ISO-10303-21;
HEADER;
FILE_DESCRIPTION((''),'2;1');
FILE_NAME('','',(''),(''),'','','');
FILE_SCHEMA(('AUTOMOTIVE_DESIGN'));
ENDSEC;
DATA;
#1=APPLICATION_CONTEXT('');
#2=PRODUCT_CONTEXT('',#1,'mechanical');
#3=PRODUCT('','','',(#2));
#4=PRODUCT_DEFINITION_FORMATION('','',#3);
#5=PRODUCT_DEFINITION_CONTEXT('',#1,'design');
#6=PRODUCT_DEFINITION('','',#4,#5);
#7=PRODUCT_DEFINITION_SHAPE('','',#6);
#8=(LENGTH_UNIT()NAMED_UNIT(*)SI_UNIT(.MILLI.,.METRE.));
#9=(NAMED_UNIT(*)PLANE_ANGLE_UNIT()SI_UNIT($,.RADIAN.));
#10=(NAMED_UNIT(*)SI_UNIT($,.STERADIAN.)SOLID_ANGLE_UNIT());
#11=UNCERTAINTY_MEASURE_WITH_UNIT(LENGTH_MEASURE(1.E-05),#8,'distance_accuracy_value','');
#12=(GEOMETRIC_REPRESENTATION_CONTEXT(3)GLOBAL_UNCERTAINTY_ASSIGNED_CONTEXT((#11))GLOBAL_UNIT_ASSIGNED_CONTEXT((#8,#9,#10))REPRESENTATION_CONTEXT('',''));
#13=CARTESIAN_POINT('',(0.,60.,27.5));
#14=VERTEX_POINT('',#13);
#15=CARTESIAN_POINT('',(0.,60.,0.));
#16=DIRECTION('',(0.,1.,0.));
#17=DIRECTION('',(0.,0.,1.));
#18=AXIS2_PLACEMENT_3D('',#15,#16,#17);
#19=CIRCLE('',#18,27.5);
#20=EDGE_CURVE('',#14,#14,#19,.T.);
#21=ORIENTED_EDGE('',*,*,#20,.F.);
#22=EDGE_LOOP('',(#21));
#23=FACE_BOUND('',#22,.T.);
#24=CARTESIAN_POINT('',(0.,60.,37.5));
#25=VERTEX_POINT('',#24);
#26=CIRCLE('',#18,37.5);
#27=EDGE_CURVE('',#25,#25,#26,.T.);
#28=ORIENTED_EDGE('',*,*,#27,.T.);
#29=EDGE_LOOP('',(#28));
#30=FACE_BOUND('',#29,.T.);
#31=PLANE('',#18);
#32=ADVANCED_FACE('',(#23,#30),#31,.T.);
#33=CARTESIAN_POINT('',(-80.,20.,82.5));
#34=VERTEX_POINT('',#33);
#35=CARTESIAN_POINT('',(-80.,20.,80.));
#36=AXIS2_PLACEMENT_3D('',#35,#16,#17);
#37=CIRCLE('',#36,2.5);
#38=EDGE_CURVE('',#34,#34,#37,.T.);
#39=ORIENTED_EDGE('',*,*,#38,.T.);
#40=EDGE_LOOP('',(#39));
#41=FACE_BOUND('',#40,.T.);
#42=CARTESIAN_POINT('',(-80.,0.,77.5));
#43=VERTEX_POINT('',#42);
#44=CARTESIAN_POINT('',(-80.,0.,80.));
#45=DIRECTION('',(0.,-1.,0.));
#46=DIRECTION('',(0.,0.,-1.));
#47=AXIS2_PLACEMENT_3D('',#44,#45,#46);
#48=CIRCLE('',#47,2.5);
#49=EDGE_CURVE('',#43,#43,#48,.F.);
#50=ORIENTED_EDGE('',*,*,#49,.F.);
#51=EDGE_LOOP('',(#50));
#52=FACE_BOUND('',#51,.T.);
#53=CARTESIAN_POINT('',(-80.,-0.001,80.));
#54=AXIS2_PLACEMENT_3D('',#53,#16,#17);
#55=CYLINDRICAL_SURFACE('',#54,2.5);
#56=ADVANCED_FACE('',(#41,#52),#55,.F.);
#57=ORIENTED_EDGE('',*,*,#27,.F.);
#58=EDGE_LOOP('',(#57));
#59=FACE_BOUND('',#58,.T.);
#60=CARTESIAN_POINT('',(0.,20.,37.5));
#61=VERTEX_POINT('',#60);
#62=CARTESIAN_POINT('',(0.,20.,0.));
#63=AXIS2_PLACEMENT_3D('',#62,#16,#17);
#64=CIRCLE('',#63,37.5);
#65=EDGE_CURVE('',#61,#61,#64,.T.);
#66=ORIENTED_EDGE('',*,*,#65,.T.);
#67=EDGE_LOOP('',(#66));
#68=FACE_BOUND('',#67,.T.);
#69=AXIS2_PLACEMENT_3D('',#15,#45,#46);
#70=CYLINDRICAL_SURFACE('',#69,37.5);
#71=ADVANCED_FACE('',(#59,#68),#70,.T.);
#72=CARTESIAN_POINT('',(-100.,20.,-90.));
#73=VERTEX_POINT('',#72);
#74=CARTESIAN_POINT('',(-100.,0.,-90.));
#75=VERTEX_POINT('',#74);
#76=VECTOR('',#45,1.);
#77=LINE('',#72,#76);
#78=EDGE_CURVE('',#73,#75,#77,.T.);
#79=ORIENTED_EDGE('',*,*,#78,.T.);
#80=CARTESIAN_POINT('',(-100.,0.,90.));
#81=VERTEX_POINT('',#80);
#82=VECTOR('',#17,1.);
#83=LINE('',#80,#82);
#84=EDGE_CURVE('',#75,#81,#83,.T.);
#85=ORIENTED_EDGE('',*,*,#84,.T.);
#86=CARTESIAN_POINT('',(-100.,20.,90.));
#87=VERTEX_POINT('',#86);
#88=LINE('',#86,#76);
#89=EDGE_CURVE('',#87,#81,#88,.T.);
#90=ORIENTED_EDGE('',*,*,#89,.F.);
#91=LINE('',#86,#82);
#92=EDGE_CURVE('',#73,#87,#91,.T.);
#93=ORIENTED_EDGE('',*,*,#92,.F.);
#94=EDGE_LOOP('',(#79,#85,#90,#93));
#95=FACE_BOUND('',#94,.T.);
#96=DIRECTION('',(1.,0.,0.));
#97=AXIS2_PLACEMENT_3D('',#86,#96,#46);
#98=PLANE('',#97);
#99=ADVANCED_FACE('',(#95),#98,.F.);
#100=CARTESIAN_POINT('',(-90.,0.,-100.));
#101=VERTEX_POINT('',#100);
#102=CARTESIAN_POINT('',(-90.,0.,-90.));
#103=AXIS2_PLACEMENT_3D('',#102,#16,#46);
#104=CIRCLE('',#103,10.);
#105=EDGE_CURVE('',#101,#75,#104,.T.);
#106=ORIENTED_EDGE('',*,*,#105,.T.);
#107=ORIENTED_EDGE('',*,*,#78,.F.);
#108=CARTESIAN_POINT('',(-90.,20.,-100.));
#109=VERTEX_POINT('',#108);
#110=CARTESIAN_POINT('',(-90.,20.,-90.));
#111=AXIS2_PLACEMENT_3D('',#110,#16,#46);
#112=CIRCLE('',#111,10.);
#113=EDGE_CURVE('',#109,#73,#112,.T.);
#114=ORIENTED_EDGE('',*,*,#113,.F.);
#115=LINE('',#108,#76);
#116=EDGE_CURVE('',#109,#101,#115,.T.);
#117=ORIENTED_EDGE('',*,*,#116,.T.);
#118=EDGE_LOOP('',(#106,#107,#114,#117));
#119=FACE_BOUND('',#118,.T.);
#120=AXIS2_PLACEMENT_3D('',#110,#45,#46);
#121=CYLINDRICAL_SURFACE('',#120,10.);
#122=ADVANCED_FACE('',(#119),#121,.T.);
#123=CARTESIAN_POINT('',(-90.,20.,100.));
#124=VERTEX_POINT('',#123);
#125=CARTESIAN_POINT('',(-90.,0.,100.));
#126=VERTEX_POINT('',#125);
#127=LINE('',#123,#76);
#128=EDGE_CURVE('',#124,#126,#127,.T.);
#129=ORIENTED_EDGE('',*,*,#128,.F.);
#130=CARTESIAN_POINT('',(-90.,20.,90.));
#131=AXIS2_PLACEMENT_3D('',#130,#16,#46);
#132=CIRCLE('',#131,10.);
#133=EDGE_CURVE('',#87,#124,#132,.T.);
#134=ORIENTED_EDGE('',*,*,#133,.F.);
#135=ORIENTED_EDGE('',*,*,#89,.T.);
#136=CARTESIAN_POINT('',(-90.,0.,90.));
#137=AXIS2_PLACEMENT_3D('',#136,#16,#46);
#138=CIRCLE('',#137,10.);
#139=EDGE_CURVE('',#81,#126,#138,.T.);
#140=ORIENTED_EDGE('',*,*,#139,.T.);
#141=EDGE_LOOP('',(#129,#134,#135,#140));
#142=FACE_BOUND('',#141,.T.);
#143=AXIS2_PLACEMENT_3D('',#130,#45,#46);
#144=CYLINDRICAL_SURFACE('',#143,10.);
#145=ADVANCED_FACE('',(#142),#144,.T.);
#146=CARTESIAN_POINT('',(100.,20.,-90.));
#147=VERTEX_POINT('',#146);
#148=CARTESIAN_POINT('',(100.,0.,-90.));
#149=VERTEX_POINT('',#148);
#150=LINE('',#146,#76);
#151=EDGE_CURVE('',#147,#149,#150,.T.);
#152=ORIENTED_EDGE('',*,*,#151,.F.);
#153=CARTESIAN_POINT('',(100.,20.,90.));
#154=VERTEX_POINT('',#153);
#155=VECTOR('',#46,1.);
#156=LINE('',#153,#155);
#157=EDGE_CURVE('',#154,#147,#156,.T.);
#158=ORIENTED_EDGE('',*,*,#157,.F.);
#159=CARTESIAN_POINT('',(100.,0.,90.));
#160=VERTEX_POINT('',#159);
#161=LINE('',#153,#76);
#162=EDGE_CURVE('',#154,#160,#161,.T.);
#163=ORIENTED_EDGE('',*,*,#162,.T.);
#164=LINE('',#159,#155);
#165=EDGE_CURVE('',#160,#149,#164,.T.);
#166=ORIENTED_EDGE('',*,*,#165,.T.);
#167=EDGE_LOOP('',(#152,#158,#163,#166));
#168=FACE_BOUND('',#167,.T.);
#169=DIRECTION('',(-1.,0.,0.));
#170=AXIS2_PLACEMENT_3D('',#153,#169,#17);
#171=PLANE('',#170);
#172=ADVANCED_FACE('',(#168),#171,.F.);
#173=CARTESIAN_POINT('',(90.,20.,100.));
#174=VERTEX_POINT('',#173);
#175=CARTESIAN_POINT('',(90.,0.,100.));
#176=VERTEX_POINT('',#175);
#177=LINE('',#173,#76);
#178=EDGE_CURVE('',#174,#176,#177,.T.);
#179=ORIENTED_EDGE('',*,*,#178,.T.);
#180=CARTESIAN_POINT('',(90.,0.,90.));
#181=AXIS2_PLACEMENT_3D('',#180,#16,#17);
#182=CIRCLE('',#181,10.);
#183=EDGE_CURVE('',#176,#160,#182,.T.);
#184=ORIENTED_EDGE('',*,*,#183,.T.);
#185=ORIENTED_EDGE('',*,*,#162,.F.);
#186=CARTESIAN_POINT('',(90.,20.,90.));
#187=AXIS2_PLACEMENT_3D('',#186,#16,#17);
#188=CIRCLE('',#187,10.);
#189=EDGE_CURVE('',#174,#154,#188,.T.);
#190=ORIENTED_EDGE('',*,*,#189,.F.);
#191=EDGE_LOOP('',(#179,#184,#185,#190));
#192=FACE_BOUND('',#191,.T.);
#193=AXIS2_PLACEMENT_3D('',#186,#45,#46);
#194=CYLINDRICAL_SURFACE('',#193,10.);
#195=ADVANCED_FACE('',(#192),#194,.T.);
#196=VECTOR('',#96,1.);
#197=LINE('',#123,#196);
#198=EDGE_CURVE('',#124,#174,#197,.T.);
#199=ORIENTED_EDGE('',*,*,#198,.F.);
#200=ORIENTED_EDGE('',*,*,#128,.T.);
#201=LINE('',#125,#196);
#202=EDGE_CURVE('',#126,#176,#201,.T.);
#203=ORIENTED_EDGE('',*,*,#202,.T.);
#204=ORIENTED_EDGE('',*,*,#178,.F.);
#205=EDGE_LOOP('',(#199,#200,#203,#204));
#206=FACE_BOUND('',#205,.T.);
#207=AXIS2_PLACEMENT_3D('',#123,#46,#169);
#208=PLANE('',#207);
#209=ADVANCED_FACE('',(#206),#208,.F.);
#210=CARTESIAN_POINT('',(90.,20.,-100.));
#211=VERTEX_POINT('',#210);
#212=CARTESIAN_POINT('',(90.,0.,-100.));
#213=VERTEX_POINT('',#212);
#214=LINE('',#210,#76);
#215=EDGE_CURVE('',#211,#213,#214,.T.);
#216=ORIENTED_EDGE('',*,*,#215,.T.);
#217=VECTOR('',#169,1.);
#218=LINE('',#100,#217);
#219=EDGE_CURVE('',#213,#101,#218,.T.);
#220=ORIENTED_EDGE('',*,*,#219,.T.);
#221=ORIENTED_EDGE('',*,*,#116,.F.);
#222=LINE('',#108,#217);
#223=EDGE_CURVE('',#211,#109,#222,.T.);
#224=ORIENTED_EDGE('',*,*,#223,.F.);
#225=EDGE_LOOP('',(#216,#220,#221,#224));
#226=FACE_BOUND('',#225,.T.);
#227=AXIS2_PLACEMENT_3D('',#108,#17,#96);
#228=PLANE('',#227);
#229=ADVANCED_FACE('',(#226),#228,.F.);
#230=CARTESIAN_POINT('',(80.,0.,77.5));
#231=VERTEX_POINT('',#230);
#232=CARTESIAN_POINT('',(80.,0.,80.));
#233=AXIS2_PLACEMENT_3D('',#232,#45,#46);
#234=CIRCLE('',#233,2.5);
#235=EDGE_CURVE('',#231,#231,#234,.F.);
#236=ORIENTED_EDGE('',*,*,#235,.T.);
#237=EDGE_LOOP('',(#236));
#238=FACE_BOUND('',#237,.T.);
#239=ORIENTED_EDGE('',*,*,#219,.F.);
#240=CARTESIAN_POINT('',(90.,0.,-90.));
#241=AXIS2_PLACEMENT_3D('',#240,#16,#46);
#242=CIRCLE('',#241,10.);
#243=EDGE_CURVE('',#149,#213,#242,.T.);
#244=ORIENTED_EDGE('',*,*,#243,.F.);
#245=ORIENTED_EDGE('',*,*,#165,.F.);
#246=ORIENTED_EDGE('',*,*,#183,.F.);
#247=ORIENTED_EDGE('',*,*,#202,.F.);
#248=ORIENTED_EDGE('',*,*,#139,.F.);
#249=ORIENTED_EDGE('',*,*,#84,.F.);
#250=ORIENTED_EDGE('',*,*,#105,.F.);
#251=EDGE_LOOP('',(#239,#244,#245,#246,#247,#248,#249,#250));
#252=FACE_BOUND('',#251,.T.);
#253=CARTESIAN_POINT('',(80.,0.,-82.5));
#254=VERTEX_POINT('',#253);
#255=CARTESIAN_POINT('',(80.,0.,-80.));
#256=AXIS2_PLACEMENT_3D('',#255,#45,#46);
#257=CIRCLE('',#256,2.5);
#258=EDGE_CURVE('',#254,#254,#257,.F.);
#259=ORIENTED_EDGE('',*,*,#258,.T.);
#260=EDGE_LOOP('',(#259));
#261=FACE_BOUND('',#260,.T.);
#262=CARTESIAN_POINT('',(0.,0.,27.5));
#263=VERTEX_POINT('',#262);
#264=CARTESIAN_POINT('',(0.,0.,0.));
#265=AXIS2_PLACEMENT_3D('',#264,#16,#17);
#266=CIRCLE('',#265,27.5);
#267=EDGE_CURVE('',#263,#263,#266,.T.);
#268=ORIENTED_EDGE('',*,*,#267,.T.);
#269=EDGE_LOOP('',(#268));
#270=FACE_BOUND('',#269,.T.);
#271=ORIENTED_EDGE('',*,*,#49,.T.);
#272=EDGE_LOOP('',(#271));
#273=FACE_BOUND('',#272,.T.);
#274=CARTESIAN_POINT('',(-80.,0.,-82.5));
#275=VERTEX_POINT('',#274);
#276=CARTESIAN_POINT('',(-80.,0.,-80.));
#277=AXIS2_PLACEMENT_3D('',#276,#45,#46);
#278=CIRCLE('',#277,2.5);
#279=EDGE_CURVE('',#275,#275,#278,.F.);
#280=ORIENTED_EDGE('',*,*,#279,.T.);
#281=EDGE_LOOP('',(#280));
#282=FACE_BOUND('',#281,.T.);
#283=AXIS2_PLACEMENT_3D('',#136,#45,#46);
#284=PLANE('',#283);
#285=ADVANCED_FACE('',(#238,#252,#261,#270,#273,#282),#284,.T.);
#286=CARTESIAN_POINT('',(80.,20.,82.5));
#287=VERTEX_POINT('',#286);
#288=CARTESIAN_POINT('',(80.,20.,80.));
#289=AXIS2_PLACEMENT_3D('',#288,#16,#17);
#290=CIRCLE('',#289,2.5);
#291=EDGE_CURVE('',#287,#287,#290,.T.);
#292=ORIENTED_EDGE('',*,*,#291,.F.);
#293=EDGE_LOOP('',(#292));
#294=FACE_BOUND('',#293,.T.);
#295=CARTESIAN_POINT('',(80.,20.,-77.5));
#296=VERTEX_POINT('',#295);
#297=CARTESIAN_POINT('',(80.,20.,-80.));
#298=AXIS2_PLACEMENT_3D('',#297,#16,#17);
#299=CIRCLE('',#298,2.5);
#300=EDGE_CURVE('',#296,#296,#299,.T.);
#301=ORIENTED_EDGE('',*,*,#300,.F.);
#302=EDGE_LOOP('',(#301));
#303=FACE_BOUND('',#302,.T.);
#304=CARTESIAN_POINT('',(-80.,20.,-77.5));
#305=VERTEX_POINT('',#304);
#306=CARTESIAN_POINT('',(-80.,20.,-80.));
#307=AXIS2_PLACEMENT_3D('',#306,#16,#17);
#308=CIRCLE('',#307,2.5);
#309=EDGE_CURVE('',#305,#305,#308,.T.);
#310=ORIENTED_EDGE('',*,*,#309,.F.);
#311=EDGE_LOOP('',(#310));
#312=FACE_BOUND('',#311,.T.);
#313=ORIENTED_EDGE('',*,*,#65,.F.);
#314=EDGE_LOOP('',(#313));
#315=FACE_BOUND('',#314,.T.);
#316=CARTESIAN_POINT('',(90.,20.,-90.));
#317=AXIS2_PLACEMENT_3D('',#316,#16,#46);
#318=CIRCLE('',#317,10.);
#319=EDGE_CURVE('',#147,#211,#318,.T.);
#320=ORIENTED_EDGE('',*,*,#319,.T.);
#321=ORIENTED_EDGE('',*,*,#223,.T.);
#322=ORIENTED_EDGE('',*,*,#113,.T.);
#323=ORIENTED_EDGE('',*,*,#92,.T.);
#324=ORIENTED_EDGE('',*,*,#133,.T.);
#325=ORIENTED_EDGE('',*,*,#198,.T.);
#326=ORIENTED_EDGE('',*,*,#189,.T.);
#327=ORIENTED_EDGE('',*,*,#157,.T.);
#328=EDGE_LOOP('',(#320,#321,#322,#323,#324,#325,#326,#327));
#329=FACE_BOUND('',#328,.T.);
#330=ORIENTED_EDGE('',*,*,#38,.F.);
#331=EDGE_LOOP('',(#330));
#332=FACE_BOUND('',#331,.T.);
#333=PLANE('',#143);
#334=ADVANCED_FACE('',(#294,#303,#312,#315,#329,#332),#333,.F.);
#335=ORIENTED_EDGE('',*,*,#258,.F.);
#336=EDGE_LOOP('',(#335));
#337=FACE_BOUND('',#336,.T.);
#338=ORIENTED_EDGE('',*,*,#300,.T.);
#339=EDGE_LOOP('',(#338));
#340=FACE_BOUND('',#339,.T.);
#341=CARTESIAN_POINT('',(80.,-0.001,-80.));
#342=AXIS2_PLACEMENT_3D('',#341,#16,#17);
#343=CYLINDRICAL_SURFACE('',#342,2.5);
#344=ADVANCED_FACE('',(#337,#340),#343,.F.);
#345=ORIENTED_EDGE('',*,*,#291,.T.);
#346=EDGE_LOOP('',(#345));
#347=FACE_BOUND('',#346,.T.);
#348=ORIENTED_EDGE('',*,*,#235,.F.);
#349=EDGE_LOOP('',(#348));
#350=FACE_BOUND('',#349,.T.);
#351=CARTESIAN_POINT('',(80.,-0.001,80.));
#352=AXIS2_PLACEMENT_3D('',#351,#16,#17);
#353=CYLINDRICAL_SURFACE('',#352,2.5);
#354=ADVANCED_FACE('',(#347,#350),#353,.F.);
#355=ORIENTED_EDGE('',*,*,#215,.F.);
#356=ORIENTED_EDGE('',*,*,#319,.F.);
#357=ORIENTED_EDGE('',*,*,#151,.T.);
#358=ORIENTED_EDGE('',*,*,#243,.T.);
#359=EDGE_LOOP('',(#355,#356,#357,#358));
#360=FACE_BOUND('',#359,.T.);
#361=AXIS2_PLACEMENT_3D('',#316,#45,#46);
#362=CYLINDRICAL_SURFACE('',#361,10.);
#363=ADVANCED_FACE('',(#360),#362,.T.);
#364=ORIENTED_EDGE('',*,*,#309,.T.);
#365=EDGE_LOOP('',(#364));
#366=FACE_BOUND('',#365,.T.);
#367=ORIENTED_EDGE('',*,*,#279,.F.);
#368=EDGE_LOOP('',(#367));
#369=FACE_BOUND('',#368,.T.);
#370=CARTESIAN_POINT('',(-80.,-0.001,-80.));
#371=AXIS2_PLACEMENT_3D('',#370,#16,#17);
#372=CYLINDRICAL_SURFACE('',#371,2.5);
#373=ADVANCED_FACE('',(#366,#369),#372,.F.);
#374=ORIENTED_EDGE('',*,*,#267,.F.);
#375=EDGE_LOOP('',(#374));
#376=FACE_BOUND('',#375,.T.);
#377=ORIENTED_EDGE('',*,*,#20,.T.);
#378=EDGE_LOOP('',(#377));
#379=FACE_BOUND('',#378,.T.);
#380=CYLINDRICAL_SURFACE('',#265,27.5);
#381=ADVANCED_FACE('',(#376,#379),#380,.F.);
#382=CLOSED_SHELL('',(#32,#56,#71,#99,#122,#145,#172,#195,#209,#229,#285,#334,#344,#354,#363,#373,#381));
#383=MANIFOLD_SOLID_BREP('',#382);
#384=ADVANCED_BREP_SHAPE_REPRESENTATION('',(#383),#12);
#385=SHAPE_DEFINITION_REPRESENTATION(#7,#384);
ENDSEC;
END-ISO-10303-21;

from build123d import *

# Parameters (mm, degrees)
BOSS_EXTRUDE1_DEPTH = 20
SKETCH2_R           = 37.5
BOSS_EXTRUDE2_DEPTH = 40
CUT_EXTRUDE1_REACH  = 148.969
SKETCH3_R           = 2.5
SKETCH4_R           = 27.5
CUT_EXTRUDE2_DEPTH  = 154.622914957


with BuildPart() as part:
    # Sketch1 → Boss-Extrude1 (new body)
    with BuildSketch(Plane(origin=(0, 0, 0), x_dir=(1, 0, 0), z_dir=(0, 1, 0))):
        with BuildLine():
            Line((-90, -100), (90, -100))
            ThreePointArc((90, -100), (97.071067812, -97.071067812), (100, -90))
            Line((100, -90), (100, 90))
            ThreePointArc((100, 90), (97.071067812, 97.071067812), (90, 100))
            Line((90, 100), (-90, 100))
            ThreePointArc((-90, 100), (-97.071067812, 97.071067812), (-100, 90))
            Line((-100, 90), (-100, -90))
            ThreePointArc((-100, -90), (-97.071067812, -97.071067812), (-90, -100))
        make_face()
    extrude(amount=BOSS_EXTRUDE1_DEPTH)

    # Sketch2 → Boss-Extrude2 (add)
    with BuildSketch(Plane(origin=(0, 20, 0), x_dir=(1, 0, 0), z_dir=(0, 1, 0))):
        with Locations(Location((0, 0, 0), (0, 0, 270))):
            Circle(SKETCH2_R)
    extrude(amount=BOSS_EXTRUDE2_DEPTH)

    # Sketch3 → Cut-Extrude1 (cut, up to next)
    with BuildSketch(Plane(origin=(0, 20, 0), x_dir=(1, 0, 0), z_dir=(0, 1, 0)), mode=Mode.PRIVATE) as cut_extrude1_sk1:
        with Locations(Location((-80, 80, 0), (0, 0, 270))):
            Circle(SKETCH3_R)
    cut_extrude1_tool1 = extrude(cut_extrude1_sk1.sketch, amount=-CUT_EXTRUDE1_REACH, mode=Mode.PRIVATE) & part.part
    # Sketch3 → Cut-Extrude1 (cut, up to next)
    with BuildSketch(Plane(origin=(0, 20, 0), x_dir=(1, 0, 0), z_dir=(0, 1, 0)), mode=Mode.PRIVATE) as cut_extrude1_sk2:
        with Locations(Location((80, 80, 0), (0, 0, 270))):
            Circle(SKETCH3_R)
    cut_extrude1_tool2 = extrude(cut_extrude1_sk2.sketch, amount=-CUT_EXTRUDE1_REACH, mode=Mode.PRIVATE) & part.part
    # Sketch3 → Cut-Extrude1 (cut, up to next)
    with BuildSketch(Plane(origin=(0, 20, 0), x_dir=(1, 0, 0), z_dir=(0, 1, 0)), mode=Mode.PRIVATE) as cut_extrude1_sk3:
        with Locations(Location((80, -80, 0), (0, 0, 270))):
            Circle(SKETCH3_R)
    cut_extrude1_tool3 = extrude(cut_extrude1_sk3.sketch, amount=-CUT_EXTRUDE1_REACH, mode=Mode.PRIVATE) & part.part
    # Sketch3 → Cut-Extrude1 (cut, up to next)
    with BuildSketch(Plane(origin=(0, 20, 0), x_dir=(1, 0, 0), z_dir=(0, 1, 0)), mode=Mode.PRIVATE) as cut_extrude1_sk4:
        with Locations(Location((-80, -80, 0), (0, 0, 270))):
            Circle(SKETCH3_R)
    cut_extrude1_tool4 = extrude(cut_extrude1_sk4.sketch, amount=-CUT_EXTRUDE1_REACH, mode=Mode.PRIVATE) & part.part
    add(cut_extrude1_tool1.solids().sort_by_distance((-80, 20, -80))[0], mode=Mode.SUBTRACT)
    add(cut_extrude1_tool2.solids().sort_by_distance((80, 20, -80))[0], mode=Mode.SUBTRACT)
    add(cut_extrude1_tool3.solids().sort_by_distance((80, 20, 80))[0], mode=Mode.SUBTRACT)
    add(cut_extrude1_tool4.solids().sort_by_distance((-80, 20, 80))[0], mode=Mode.SUBTRACT)

    # Sketch4 → Cut-Extrude2 (cut, through all)
    with BuildSketch(Plane(origin=(0, 60, 0), x_dir=(1, 0, 0), z_dir=(0, 1, 0))):
        with Locations(Location((0, 0, 0), (0, 0, 270))):
            Circle(SKETCH4_R)
    extrude(amount=-CUT_EXTRUDE2_DEPTH, mode=Mode.SUBTRACT)


solid = part.part
